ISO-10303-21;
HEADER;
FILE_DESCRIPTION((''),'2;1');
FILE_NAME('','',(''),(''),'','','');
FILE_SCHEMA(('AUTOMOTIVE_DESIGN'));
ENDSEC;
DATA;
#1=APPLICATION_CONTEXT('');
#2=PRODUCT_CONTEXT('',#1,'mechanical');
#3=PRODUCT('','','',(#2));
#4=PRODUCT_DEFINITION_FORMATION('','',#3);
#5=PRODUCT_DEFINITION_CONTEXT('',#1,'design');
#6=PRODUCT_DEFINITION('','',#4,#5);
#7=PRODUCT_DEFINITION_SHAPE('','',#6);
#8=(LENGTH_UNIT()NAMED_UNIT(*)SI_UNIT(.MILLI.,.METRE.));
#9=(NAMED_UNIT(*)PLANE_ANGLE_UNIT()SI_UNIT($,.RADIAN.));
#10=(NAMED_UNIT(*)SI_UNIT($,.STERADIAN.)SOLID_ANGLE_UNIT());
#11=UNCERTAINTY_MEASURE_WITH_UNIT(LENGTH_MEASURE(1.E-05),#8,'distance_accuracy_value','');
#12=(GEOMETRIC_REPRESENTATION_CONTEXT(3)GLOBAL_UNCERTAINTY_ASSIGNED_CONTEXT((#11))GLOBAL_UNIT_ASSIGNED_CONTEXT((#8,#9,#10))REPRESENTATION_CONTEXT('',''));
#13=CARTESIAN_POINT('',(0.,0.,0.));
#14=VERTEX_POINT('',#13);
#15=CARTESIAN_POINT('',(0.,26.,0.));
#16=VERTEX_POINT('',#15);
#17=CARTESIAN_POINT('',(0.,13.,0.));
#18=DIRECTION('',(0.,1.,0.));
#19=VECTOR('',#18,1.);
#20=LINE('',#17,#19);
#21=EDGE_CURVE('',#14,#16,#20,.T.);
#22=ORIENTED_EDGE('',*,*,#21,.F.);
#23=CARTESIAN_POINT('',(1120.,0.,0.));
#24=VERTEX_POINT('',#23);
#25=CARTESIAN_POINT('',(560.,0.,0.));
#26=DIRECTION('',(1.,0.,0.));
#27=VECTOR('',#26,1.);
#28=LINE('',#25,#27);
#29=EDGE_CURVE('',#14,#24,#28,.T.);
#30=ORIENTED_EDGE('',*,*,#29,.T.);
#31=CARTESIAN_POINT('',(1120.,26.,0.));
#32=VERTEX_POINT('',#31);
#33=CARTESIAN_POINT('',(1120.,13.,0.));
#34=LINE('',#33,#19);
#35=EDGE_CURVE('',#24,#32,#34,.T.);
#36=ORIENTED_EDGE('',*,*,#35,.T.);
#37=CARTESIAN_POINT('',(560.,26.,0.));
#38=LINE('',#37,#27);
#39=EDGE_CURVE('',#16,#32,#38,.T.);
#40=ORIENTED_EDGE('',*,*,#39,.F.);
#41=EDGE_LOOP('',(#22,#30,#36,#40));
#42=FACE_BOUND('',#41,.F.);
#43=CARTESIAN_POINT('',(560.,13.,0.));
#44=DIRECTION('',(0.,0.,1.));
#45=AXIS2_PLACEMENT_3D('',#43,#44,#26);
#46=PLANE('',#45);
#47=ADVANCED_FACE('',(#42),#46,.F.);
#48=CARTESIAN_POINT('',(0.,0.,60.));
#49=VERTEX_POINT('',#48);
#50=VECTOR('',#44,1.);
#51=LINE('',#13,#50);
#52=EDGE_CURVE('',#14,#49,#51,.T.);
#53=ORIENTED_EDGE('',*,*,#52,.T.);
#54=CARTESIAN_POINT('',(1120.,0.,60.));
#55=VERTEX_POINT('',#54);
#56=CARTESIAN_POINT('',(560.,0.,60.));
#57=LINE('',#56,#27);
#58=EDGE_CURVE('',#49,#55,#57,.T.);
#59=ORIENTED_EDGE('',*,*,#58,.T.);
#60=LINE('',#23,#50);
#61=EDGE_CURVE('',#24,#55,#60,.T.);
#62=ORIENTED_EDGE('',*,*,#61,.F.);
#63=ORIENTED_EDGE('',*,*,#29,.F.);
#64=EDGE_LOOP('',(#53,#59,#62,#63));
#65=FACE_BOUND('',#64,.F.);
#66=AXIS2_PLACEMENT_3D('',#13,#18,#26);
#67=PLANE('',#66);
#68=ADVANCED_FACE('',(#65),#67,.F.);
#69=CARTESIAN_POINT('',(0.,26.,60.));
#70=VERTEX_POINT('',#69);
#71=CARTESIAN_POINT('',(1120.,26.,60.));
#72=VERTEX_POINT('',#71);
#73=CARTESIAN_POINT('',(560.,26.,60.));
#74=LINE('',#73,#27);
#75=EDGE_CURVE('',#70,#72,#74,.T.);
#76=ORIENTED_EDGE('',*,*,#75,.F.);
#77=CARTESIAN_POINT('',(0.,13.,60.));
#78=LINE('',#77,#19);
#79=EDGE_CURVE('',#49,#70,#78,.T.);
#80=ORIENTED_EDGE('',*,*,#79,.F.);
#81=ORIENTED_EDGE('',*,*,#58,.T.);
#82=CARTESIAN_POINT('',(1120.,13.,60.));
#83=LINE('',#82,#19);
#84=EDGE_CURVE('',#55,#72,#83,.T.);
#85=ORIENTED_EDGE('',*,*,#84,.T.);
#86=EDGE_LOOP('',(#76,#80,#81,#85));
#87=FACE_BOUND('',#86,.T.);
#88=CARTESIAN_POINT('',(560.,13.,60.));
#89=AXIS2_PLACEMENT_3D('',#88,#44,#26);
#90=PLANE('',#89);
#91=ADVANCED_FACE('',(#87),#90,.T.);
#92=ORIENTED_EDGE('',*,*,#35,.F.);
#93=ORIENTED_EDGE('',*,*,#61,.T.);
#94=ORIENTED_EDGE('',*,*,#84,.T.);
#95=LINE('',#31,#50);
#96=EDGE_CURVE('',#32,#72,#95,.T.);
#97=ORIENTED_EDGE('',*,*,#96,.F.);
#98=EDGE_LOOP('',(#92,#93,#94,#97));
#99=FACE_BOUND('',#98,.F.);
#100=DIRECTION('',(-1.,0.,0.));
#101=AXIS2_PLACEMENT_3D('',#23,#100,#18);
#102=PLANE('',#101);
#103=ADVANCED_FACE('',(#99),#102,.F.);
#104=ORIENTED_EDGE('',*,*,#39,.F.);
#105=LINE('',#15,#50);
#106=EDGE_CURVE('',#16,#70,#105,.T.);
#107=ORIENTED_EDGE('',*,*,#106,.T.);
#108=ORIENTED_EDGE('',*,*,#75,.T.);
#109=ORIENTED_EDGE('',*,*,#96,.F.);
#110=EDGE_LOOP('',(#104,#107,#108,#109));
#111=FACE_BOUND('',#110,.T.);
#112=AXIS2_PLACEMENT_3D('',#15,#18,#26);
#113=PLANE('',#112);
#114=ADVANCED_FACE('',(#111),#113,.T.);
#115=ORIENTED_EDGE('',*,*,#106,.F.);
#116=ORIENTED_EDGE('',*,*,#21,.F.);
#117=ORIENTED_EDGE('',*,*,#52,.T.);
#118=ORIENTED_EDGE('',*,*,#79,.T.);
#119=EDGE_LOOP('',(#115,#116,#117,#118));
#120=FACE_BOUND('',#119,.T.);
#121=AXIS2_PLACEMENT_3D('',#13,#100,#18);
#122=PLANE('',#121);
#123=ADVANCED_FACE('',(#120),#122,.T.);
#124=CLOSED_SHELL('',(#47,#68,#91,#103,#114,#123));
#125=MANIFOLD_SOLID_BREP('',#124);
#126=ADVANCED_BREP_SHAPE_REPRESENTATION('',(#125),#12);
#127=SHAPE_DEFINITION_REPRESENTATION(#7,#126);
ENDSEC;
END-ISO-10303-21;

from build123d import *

# Parameters (mm, degrees)
BOX_W     = 1120
BOX_H     = 26
BOX_DEPTH = 60


with BuildPart() as part:
    # Box → Box (new body)
    with BuildSketch(Plane.XY):
        with Locations((560, 13)):
            Rectangle(BOX_W, BOX_H)
    extrude(amount=BOX_DEPTH)


solid = part.part
